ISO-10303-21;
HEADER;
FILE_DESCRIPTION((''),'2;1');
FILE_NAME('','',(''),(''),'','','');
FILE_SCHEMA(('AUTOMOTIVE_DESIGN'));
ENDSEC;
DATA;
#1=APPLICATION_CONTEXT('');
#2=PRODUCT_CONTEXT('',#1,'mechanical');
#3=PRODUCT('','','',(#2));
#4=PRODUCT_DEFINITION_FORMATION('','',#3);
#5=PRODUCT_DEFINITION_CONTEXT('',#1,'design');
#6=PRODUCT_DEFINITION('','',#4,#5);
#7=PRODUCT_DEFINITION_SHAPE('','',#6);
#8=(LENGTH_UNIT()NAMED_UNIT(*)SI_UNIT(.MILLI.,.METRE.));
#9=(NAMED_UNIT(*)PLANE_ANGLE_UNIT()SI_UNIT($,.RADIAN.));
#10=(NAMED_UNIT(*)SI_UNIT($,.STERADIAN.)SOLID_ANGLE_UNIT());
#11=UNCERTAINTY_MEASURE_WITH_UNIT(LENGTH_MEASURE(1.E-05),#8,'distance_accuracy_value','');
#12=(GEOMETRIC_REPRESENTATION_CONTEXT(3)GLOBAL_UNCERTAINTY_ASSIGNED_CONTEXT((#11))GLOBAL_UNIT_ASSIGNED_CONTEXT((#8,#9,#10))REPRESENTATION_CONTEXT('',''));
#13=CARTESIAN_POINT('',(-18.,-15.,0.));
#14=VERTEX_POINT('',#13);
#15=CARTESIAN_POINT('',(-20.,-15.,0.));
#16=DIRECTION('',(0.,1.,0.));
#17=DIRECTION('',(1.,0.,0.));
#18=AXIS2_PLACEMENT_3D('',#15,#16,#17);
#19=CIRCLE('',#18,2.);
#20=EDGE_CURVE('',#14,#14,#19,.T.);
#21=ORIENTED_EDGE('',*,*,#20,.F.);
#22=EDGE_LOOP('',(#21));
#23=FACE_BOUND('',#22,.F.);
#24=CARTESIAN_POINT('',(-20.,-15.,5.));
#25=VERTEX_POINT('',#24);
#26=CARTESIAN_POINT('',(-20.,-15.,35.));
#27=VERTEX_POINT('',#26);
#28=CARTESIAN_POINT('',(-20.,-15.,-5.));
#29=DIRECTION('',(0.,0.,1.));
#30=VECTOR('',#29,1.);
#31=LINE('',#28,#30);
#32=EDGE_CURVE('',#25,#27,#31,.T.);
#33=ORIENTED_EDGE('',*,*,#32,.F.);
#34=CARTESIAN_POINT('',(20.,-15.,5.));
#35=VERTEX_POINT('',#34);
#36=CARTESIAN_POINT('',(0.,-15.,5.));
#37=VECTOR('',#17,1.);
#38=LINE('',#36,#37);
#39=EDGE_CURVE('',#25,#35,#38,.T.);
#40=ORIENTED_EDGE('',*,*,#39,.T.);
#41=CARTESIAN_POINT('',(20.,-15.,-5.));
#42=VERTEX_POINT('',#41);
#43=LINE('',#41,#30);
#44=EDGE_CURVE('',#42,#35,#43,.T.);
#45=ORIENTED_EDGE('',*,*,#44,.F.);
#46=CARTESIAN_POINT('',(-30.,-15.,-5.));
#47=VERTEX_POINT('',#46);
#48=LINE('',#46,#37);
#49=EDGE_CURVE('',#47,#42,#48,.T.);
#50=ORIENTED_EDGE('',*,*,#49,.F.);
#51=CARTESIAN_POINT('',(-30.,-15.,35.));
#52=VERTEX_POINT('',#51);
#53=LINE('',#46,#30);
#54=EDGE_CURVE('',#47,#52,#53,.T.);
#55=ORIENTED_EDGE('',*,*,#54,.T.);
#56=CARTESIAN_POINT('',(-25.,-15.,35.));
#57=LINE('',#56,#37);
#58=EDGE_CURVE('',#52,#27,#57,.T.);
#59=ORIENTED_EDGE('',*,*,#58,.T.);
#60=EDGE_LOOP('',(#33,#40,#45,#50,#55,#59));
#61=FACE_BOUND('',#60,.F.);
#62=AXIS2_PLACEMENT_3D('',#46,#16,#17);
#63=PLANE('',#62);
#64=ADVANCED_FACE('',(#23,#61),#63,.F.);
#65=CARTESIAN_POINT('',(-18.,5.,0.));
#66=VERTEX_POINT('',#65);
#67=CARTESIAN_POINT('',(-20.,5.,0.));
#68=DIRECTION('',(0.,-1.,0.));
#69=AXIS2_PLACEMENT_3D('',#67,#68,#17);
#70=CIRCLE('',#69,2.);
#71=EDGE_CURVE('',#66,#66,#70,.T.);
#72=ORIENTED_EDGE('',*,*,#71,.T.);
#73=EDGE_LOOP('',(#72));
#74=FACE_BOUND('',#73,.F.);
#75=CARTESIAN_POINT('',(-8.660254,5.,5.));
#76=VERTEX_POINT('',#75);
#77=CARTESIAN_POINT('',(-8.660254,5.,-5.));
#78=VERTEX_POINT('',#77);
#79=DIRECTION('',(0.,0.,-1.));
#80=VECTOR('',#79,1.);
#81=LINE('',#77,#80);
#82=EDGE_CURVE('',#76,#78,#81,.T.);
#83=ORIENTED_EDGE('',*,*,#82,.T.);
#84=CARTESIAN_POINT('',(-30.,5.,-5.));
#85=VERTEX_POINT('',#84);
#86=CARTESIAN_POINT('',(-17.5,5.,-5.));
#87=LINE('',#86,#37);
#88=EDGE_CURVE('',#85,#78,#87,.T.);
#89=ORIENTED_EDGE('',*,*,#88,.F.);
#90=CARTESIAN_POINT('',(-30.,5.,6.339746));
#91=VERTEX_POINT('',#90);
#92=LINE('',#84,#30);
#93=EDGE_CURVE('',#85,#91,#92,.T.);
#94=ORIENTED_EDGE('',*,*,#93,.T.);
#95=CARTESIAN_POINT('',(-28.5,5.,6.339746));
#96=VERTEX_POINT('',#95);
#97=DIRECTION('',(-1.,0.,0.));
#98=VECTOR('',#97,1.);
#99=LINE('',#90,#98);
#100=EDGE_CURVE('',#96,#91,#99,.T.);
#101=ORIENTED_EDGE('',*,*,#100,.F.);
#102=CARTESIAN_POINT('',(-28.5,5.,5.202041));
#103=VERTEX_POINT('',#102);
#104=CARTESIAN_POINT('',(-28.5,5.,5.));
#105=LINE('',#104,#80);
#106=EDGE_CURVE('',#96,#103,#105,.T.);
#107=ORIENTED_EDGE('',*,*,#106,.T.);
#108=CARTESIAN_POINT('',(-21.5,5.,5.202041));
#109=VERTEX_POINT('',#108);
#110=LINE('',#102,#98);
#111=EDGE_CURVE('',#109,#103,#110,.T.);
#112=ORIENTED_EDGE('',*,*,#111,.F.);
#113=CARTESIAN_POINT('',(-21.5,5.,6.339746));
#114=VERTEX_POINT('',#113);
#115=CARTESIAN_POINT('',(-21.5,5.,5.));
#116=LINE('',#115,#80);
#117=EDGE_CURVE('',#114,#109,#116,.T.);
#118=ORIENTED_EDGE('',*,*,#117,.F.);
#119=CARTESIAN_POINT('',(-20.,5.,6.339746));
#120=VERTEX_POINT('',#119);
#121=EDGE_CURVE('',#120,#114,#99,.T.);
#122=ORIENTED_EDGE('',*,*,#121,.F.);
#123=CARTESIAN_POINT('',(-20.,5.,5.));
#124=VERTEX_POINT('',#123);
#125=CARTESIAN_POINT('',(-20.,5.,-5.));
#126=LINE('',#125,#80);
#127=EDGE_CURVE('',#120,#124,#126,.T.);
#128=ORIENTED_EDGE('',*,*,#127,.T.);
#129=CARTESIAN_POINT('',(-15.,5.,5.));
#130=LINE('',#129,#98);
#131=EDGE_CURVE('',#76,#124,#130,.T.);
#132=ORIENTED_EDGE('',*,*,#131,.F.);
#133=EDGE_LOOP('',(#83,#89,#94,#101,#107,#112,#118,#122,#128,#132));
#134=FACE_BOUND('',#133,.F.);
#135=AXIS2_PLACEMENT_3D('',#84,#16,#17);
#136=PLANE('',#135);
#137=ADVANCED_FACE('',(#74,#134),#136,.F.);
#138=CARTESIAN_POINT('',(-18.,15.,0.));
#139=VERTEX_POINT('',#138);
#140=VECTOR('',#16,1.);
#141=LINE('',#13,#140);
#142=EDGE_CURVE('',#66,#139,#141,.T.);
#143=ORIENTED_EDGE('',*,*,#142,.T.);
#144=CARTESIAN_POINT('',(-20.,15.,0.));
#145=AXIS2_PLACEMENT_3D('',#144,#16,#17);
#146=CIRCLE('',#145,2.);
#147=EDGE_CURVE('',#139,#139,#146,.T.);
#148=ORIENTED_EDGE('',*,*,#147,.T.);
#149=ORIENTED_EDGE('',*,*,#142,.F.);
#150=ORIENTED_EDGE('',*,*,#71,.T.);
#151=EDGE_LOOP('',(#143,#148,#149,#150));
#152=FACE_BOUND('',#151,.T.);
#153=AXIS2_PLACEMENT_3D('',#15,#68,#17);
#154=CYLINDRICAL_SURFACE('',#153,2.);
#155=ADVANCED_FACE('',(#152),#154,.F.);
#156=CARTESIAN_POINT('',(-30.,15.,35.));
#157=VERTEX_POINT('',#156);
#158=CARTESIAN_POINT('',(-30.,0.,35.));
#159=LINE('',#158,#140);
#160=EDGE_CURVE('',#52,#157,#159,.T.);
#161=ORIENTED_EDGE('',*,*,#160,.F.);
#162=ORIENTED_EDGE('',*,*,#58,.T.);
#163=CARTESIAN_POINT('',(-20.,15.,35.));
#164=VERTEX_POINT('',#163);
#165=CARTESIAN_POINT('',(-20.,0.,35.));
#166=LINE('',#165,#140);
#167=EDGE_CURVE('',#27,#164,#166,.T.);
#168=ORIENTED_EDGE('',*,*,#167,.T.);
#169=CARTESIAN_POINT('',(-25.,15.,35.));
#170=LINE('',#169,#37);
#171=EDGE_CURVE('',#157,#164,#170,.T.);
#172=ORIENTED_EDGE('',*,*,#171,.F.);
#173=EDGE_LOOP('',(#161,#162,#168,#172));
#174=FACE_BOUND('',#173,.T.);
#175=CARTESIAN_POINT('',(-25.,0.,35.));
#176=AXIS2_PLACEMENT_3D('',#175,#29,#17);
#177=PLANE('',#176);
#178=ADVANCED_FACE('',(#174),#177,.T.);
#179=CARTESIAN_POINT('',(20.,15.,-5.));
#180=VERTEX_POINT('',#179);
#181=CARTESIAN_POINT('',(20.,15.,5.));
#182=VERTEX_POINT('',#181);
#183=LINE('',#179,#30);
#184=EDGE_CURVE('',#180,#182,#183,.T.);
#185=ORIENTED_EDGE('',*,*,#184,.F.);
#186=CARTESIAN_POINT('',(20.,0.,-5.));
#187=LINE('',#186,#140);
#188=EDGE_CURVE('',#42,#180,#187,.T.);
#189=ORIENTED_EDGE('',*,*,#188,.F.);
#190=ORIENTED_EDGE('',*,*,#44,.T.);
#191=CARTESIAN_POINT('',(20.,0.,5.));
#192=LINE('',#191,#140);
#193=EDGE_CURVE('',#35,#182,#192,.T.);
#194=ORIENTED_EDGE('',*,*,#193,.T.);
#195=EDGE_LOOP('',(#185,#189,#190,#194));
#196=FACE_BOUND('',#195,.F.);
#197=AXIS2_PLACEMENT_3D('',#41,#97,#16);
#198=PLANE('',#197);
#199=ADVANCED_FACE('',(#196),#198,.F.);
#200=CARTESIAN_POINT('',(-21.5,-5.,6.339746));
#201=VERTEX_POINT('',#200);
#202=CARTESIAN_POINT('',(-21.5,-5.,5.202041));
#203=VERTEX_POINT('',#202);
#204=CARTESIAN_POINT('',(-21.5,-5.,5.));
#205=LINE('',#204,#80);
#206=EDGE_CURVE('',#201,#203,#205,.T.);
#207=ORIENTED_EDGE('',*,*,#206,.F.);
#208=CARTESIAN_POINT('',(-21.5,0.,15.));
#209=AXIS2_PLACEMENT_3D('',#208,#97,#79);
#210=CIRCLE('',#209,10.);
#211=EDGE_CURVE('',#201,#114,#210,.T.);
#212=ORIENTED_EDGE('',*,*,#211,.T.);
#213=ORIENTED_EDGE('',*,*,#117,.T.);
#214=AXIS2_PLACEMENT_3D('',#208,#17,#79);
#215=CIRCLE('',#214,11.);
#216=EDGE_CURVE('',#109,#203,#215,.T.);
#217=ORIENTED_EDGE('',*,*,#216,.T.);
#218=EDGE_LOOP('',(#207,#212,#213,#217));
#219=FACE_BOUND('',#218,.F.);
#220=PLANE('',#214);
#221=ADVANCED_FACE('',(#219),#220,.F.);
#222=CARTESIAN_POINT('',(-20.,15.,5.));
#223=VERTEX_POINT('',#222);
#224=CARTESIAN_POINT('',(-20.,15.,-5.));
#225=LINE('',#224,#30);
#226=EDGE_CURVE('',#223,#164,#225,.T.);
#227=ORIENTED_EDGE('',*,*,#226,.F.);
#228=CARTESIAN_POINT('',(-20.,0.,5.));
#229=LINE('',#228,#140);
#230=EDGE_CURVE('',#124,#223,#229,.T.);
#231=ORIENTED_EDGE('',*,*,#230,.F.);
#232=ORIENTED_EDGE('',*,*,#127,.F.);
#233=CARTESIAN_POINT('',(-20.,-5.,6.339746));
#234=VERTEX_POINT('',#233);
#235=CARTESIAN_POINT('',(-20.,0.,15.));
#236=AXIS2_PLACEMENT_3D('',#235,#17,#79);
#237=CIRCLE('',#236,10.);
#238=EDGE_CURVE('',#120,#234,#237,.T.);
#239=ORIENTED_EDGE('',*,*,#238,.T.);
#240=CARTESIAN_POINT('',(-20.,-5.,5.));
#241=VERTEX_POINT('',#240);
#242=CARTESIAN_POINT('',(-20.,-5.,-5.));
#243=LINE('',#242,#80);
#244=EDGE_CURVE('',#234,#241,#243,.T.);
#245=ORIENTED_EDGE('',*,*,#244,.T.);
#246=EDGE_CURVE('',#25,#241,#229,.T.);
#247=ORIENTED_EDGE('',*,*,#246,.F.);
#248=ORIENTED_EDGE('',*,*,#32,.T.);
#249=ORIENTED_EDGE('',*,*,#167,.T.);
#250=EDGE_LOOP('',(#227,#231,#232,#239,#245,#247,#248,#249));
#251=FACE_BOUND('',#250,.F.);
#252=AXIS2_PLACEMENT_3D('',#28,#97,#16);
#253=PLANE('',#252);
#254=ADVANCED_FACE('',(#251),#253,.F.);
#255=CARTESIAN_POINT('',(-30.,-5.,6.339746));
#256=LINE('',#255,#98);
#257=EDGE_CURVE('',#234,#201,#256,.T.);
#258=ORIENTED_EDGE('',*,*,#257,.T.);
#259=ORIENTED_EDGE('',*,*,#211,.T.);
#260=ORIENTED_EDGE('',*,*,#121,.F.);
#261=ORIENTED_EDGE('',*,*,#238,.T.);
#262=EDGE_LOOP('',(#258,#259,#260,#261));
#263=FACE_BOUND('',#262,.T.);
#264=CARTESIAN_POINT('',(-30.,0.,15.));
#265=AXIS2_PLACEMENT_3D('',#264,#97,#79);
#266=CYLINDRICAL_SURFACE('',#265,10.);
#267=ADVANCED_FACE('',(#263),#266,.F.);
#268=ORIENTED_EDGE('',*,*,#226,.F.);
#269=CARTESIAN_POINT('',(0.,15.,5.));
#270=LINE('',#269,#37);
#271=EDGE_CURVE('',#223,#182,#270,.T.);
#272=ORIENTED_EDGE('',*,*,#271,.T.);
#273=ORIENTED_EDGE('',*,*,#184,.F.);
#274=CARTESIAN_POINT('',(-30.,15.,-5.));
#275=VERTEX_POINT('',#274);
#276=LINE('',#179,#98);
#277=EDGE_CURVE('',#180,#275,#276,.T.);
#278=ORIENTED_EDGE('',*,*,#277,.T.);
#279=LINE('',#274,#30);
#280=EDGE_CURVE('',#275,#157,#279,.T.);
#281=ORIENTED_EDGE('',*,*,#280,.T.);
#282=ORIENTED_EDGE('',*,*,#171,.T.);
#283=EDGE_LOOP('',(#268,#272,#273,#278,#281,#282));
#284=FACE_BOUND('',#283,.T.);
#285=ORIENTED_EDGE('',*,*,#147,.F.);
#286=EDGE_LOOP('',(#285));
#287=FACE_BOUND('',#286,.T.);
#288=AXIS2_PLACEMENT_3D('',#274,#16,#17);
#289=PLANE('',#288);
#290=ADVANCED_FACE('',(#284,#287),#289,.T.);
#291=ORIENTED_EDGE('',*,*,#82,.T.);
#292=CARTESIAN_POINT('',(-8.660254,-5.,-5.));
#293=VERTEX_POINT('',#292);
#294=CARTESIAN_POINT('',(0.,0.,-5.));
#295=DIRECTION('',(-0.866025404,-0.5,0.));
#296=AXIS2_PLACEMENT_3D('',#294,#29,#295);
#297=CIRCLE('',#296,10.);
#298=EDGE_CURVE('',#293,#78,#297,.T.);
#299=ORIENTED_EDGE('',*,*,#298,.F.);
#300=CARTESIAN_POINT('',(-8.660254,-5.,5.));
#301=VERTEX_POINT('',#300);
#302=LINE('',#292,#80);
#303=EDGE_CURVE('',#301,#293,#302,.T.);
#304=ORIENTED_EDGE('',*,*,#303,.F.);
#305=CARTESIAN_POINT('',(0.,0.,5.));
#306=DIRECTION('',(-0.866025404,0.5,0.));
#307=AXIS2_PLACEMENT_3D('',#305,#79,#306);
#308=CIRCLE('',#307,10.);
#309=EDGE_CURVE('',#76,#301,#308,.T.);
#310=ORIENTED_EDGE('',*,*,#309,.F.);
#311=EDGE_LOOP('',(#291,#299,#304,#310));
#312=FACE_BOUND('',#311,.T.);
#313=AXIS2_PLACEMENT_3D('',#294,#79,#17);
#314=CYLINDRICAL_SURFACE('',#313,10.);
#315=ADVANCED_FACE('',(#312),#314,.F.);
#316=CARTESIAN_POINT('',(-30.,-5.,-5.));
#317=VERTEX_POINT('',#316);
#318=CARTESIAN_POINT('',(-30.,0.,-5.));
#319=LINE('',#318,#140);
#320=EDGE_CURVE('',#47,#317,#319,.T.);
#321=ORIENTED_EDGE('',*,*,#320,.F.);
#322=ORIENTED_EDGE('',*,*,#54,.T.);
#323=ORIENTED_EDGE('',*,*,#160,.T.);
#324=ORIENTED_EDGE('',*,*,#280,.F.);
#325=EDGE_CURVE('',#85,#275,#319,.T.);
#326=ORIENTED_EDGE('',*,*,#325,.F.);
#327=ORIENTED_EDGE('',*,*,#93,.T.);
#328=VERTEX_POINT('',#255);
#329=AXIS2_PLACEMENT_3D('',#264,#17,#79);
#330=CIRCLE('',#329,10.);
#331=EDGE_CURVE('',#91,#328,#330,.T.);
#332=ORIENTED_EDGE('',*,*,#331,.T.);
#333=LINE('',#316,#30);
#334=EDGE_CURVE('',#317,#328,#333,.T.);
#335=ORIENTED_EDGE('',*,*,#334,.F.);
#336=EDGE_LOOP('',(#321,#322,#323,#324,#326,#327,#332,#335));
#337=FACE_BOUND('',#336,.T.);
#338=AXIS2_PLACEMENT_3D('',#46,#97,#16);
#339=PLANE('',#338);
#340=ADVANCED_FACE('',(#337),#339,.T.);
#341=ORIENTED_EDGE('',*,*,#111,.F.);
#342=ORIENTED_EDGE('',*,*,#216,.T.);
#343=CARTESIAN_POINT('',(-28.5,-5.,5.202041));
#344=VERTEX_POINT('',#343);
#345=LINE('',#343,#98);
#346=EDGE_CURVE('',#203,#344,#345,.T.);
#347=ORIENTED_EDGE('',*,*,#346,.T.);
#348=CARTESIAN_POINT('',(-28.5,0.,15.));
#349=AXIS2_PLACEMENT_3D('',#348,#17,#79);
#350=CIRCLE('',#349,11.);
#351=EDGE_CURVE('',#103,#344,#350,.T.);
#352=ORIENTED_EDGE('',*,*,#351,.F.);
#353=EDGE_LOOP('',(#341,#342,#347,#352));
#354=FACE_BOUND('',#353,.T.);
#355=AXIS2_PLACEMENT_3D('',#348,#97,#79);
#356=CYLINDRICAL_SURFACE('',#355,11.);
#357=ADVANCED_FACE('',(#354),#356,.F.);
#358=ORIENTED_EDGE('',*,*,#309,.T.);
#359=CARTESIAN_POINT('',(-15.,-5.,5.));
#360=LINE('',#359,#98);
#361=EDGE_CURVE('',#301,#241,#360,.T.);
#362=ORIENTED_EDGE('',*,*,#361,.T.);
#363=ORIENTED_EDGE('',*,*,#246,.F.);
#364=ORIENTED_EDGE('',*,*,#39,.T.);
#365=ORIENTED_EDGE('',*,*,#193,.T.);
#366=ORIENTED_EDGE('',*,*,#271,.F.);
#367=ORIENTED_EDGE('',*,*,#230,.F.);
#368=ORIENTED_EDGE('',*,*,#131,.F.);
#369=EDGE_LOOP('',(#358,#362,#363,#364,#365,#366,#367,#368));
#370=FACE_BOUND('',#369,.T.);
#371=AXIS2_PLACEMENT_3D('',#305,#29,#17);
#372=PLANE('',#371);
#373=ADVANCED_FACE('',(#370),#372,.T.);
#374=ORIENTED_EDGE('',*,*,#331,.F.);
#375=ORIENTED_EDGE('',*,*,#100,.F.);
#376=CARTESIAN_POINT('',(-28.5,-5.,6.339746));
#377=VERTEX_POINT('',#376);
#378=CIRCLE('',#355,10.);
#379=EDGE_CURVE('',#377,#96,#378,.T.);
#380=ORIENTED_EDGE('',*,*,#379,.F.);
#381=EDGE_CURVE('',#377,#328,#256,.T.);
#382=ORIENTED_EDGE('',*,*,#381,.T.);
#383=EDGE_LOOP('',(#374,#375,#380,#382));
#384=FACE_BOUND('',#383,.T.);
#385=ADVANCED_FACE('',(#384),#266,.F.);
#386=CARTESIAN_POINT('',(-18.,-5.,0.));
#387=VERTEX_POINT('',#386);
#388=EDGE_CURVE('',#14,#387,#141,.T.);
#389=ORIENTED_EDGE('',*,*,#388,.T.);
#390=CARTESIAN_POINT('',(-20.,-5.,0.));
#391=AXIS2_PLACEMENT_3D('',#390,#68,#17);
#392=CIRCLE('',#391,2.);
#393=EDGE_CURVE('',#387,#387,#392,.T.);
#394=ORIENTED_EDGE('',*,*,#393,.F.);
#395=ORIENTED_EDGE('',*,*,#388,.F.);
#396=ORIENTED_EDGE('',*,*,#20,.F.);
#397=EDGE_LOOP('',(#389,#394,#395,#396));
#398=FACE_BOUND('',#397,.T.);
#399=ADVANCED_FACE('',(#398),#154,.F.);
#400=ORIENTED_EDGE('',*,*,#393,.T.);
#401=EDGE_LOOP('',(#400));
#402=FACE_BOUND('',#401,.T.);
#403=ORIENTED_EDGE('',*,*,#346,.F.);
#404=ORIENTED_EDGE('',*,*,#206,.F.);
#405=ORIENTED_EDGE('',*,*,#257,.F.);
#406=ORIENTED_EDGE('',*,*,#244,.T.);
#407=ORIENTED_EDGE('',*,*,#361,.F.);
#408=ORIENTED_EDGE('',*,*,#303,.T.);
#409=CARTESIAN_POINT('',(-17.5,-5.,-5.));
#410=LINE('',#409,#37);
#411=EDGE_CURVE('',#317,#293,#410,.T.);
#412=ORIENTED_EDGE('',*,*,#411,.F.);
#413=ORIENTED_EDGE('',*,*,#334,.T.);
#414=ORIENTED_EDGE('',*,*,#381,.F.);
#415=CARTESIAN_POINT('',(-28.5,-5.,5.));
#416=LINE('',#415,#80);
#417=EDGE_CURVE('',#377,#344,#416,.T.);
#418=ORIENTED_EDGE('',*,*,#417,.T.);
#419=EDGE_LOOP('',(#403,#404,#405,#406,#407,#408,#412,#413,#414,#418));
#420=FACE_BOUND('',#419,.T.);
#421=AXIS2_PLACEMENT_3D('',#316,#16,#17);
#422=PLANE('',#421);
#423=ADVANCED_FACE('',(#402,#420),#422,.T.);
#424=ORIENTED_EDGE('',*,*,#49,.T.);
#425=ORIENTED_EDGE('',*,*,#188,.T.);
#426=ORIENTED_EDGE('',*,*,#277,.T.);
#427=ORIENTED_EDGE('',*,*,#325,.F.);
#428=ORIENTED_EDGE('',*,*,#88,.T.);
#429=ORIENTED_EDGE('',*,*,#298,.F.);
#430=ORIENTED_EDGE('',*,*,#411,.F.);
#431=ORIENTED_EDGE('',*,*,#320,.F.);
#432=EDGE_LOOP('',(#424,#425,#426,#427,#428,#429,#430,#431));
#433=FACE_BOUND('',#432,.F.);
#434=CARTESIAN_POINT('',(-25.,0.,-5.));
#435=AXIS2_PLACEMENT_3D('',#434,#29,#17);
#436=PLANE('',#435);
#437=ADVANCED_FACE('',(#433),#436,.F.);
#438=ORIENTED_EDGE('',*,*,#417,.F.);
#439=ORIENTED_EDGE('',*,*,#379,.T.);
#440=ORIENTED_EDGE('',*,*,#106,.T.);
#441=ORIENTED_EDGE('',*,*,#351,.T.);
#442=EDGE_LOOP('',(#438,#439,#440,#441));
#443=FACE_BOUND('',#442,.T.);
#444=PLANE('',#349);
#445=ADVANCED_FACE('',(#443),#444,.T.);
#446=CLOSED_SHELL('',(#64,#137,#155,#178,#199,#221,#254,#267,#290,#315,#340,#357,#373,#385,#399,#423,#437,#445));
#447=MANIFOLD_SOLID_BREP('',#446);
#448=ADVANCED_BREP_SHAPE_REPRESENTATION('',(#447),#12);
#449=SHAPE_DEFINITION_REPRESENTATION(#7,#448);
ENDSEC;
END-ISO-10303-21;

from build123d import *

# Parameters (mm, degrees)
CYLINDER_R              = 10
CYLINDER_DEPTH          = 10
CYLINDER001_R           = 2
CYLINDER001_DEPTH       = 30
CYLINDER001_ROLL_ANGLE  = -90
CYLINDER002_R           = 11
CYLINDER002_DEPTH       = 7
CYLINDER002_PITCH_ANGLE = 90
CYLINDER003_R           = 10
CYLINDER003_DEPTH       = 10
CYLINDER003_PITCH_ANGLE = 90
BOX001_W                = 25
BOX001_H                = 10
BOX001_DEPTH            = 15
BOX002_W                = 10
BOX002_H                = 30
BOX002_DEPTH            = 40
BOX_W                   = 40
BOX_H                   = 30
BOX_DEPTH               = 10


with BuildPart() as cylinder:
    # Cylinder → Cylinder (new body)
    with BuildSketch(Plane.XY.offset(-5)):
        Circle(CYLINDER_R)
    extrude(amount=CYLINDER_DEPTH)


with BuildPart() as cylinder001:
    # Cylinder001 → Cylinder001 (new body)
    with BuildSketch(Plane.XY):
        Circle(CYLINDER001_R)
    extrude(amount=CYLINDER001_DEPTH)


with BuildPart() as cylinder001_1:
    # Cylinder001 roll: moved
    add(cylinder001.part.rotate(Axis((0, 0, 0), (1, 0, 0)), CYLINDER001_ROLL_ANGLE))


with BuildPart() as cylinder001_2:
    # Cylinder001 placement: moved
    add(cylinder001_1.part.moved(Location((-20, -15, 0))))


with BuildPart() as bearing_cylinder:
    # Cylinder002 → Cylinder002 (new body)
    with BuildSketch(Plane.XY):
        Circle(CYLINDER002_R)
    extrude(amount=CYLINDER002_DEPTH)


with BuildPart() as bearing_cylinder_1:
    # Cylinder002 pitch: moved
    add(bearing_cylinder.part.rotate(Axis((0, 0, 0), (0, 1, 0)), CYLINDER002_PITCH_ANGLE))


with BuildPart() as bearing_cylinder_2:
    # Cylinder002 placement: moved
    add(bearing_cylinder_1.part.moved(Location((-28.5, 0, 15))))


with BuildPart() as bearing_cylinder_outer:
    # Cylinder003 → Cylinder003 (new body)
    with BuildSketch(Plane.XY):
        Circle(CYLINDER003_R)
    extrude(amount=CYLINDER003_DEPTH)


with BuildPart() as bearing_cylinder_outer_1:
    # Cylinder003 pitch: moved
    add(bearing_cylinder_outer.part.rotate(Axis((0, 0, 0), (0, 1, 0)), CYLINDER003_PITCH_ANGLE))


with BuildPart() as bearing_cylinder_outer_2:
    # Cylinder003 placement: moved
    add(bearing_cylinder_outer_1.part.moved(Location((-30, 0, 15))))


with BuildPart() as negative_fusion:
    # Box001 → Box001 (new body)
    with BuildSketch(Plane(origin=(-30, -5, -5), x_dir=(1, 0, 0), z_dir=(0, 0, 1))):
        with Locations((12.5, 5)):
            Rectangle(BOX001_W, BOX001_H)
    extrude(amount=BOX001_DEPTH)

    # Fusion: union Cylinder, Cylinder001, Bearing Cylinder, Bearing Cylinder Outer
    add(cylinder.part)
    add(cylinder001_2.part)
    add(bearing_cylinder_2.part)
    add(bearing_cylinder_outer_2.part)


with BuildPart() as cube002:
    # Box002 → Box002 (new body)
    with BuildSketch(Plane(origin=(-30, -15, -5), x_dir=(1, 0, 0), z_dir=(0, 0, 1))):
        with Locations((5, 15)):
            Rectangle(BOX002_W, BOX002_H)
    extrude(amount=BOX002_DEPTH)


with BuildPart() as cut:
    # Box → Box (new body)
    with BuildSketch(Plane(origin=(-20, -15, -5), x_dir=(1, 0, 0), z_dir=(0, 0, 1))):
        with Locations((20, 15)):
            Rectangle(BOX_W, BOX_H)
    extrude(amount=BOX_DEPTH)

    # Fusion001: union Cube002
    add(cube002.part)

    # Cut: cut Negative Fusion
    add(negative_fusion.part, mode=Mode.SUBTRACT)


solid = cut.part
